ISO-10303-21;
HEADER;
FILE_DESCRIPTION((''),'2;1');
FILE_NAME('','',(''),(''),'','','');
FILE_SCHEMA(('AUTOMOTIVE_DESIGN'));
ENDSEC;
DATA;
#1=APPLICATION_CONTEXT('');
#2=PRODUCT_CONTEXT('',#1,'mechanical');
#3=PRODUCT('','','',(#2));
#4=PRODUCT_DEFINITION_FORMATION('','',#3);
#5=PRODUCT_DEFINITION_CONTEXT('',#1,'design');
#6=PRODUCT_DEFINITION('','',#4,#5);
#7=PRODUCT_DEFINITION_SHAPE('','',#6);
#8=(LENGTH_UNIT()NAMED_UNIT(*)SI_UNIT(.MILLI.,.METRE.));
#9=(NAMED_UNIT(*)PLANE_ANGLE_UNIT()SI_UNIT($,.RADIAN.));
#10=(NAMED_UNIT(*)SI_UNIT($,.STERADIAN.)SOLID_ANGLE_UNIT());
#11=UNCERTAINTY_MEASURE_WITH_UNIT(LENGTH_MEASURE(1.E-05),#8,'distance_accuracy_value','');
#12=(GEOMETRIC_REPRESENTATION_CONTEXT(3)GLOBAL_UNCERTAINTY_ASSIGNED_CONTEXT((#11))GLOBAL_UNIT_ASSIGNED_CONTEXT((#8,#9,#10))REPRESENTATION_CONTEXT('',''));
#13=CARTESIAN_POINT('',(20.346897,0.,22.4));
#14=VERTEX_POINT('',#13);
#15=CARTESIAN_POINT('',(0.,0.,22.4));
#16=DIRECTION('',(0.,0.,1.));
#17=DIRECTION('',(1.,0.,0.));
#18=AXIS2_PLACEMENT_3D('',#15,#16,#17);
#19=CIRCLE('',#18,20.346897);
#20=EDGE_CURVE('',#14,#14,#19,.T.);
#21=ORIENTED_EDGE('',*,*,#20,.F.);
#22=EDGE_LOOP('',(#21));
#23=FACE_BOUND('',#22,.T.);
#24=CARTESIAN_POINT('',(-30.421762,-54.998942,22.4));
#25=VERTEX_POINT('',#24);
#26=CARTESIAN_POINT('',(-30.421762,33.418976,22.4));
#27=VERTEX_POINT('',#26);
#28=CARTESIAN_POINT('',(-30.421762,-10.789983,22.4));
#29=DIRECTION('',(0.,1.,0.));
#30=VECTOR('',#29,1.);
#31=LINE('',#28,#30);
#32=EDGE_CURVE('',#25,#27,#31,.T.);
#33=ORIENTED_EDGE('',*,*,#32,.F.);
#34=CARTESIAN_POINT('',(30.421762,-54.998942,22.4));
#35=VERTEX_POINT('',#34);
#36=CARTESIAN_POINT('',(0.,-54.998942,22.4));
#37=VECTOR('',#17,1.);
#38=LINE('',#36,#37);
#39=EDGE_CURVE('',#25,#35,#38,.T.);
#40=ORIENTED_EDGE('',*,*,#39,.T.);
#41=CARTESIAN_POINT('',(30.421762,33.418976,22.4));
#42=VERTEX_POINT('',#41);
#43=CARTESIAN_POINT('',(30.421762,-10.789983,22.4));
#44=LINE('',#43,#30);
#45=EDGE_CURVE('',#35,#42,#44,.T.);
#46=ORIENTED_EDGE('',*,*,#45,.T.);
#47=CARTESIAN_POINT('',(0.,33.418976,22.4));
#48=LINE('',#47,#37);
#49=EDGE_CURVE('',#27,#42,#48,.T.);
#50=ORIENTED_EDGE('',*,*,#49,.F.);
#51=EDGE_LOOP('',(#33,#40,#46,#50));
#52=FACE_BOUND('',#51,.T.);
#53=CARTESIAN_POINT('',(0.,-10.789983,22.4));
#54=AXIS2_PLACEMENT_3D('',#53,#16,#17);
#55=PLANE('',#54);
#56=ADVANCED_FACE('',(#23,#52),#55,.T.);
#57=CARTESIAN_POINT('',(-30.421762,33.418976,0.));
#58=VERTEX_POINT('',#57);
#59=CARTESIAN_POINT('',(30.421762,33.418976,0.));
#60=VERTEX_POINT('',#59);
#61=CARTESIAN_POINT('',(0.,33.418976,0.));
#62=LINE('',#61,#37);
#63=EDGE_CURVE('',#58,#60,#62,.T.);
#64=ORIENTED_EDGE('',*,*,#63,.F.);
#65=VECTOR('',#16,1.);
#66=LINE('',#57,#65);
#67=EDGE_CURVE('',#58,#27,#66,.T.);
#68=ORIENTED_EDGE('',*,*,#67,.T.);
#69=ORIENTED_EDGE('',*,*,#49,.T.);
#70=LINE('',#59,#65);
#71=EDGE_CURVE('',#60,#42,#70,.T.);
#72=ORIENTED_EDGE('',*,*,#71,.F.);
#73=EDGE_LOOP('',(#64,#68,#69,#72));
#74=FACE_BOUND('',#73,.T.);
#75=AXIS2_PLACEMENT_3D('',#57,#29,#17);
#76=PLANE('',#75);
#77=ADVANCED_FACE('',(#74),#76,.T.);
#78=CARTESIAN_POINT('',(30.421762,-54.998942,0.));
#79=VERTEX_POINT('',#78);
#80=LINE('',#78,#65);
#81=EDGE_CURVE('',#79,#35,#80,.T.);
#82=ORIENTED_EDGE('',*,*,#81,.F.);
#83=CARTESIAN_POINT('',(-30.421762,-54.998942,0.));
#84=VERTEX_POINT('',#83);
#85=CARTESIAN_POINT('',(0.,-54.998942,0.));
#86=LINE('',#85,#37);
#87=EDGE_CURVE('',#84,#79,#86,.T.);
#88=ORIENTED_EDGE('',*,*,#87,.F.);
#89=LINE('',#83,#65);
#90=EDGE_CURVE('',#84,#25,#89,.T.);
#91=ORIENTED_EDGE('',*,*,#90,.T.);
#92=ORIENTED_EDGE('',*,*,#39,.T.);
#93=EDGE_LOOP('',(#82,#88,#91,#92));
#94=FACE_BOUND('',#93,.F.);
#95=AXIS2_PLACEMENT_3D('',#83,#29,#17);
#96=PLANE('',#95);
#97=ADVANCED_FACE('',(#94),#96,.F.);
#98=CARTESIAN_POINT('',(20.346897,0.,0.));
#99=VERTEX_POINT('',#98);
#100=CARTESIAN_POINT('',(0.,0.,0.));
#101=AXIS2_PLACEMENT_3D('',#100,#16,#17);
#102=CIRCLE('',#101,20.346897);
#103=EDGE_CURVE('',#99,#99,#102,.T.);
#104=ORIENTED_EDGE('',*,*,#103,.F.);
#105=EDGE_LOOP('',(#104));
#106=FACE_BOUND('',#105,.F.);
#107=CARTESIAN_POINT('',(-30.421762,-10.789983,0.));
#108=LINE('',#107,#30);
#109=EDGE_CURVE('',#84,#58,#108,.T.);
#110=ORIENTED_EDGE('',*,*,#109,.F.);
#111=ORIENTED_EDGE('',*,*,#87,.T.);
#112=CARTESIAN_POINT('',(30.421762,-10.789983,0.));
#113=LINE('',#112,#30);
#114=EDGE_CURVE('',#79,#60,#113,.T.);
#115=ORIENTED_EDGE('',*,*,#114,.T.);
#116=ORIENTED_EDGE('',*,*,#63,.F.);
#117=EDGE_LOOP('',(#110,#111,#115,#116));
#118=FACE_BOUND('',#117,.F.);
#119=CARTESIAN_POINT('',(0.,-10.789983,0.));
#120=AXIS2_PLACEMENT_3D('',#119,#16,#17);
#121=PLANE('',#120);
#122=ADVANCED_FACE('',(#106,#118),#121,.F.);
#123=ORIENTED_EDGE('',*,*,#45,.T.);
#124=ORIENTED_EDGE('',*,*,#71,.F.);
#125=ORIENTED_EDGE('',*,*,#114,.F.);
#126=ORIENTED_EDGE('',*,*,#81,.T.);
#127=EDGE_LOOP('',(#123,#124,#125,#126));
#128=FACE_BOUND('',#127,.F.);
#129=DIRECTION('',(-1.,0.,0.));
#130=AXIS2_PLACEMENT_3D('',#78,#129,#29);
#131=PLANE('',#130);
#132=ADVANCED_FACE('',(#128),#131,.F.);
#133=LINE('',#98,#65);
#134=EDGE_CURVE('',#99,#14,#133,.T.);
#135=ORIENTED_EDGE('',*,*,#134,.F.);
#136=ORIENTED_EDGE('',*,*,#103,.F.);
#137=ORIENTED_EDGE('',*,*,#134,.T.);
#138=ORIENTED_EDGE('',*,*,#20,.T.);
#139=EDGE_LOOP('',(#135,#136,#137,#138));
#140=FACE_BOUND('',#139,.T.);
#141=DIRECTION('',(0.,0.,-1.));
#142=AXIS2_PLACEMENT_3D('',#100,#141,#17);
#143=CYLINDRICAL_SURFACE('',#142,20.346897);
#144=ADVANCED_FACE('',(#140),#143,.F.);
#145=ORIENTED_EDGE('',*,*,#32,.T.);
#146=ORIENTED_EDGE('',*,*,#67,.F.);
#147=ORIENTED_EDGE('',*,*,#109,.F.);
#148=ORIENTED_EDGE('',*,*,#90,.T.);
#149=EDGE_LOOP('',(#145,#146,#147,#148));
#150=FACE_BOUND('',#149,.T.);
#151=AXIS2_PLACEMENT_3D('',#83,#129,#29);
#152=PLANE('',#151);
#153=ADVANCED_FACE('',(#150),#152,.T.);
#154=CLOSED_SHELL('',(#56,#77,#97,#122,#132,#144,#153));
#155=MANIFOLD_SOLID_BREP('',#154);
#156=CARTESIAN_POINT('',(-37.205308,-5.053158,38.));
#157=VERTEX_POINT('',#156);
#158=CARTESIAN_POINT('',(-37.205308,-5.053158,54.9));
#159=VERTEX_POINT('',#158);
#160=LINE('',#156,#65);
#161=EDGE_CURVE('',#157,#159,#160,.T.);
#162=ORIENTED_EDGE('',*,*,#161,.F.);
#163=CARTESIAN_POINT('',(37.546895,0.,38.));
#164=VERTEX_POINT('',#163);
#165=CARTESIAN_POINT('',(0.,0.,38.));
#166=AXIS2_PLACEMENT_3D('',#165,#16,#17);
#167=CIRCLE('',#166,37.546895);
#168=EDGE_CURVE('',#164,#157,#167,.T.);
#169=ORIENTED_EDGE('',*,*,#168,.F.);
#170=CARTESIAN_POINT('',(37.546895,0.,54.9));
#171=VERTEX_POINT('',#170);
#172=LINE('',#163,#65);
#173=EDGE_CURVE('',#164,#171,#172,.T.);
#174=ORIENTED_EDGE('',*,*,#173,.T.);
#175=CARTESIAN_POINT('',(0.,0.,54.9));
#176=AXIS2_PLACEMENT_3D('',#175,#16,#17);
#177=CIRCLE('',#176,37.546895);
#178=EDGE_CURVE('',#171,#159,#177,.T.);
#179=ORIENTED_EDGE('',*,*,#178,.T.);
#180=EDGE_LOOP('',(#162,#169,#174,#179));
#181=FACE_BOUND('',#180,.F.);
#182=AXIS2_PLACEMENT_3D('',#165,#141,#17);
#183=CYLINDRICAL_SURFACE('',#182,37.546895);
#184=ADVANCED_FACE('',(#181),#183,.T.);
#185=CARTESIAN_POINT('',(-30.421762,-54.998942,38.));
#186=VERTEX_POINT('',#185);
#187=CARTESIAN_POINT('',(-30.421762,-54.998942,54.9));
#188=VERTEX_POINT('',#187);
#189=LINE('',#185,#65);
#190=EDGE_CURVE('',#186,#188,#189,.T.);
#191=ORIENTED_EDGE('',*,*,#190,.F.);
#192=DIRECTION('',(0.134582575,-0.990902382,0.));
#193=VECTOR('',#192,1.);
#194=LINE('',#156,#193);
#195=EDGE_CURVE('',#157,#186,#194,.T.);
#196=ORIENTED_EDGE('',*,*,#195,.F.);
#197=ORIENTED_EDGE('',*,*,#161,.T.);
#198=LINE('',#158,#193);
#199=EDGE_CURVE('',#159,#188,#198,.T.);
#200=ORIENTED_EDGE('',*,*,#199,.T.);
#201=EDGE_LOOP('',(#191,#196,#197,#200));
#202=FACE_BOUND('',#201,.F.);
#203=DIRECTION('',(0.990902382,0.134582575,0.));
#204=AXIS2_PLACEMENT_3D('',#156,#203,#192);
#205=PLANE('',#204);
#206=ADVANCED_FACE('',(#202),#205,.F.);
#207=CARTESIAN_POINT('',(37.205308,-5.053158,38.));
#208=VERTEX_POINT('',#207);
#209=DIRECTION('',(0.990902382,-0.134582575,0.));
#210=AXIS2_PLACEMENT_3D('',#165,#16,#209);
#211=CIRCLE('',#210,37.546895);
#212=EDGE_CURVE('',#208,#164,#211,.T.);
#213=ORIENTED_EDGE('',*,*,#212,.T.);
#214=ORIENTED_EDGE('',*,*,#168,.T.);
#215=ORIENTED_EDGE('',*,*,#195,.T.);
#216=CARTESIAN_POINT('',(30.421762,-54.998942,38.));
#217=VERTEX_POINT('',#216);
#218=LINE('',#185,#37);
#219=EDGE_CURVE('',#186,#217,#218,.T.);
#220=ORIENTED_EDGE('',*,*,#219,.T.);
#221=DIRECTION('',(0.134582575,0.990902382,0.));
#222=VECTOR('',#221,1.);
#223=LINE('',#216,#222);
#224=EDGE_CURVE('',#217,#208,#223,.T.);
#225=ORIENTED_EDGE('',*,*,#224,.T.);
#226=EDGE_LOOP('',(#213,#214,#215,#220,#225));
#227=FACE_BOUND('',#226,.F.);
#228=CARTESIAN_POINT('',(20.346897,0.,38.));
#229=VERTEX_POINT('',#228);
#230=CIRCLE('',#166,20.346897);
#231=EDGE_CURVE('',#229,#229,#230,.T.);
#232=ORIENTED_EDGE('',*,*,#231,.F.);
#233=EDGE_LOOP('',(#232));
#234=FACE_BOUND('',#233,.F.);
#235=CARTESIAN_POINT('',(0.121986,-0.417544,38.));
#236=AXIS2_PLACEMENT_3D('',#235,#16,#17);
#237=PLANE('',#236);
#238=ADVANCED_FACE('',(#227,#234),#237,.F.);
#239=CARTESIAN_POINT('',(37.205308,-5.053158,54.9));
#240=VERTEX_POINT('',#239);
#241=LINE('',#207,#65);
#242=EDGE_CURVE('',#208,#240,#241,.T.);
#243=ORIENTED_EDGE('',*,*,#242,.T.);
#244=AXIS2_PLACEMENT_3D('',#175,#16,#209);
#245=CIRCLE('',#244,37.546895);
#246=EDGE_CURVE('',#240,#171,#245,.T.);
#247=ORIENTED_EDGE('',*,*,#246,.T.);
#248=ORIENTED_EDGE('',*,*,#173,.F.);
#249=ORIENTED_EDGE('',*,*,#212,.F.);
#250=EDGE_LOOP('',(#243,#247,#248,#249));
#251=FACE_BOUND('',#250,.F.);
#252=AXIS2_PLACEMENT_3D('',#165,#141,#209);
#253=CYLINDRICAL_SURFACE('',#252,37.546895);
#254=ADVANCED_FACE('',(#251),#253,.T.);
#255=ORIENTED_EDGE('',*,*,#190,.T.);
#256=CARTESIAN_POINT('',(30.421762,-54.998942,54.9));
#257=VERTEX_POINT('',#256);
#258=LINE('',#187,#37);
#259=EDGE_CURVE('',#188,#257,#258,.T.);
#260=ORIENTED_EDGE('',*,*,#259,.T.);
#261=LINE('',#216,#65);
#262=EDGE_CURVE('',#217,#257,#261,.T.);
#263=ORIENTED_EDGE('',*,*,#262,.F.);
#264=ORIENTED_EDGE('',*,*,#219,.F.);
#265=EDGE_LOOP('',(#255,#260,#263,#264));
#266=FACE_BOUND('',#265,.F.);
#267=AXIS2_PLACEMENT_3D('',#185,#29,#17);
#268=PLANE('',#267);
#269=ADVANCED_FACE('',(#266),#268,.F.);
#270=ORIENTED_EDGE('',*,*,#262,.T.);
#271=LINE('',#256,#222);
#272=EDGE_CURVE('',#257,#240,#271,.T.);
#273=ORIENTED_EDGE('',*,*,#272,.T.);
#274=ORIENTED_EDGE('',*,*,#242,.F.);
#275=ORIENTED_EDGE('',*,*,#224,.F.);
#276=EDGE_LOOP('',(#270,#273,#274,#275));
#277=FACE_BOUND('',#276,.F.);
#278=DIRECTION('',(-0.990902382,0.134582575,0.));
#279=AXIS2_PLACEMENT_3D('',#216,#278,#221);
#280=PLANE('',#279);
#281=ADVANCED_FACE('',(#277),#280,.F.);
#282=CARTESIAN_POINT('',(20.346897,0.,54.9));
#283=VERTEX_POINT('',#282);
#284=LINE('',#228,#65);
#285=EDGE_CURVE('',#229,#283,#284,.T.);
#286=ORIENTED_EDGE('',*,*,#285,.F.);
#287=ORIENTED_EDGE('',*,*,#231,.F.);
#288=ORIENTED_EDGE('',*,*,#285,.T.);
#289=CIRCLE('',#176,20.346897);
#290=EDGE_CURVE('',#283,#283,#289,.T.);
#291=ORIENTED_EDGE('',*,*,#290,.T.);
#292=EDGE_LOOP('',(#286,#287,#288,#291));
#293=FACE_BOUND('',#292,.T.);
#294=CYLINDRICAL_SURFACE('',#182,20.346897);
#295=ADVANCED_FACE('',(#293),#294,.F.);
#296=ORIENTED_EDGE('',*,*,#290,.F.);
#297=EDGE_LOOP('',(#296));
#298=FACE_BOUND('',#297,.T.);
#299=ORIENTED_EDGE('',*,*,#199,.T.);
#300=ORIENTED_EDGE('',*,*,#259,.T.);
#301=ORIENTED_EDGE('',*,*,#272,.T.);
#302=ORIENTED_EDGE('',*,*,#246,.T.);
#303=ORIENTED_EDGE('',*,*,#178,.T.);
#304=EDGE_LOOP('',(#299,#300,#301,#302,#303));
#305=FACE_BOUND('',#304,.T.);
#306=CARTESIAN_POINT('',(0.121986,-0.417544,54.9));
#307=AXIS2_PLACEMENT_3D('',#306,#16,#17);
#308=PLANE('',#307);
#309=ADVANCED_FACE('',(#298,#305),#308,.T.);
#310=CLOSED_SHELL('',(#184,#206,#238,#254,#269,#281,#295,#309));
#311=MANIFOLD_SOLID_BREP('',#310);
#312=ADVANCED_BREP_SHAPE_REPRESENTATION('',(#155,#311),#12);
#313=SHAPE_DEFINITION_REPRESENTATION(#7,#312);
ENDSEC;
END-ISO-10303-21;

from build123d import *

# Parameters (mm, degrees)
F0_W     = 60.8435235918
F0_H     = 88.41791749
F0_R     = 20.346896913
F1_DEPTH = 22.4
F3_START = 38
F2_R     = 20.346896913
F3_DEPTH = 16.9


with BuildPart() as f1:
    # F0 (on Top) → F1 (new body)
    with BuildSketch(Plane.XY):
        with Locations((0, -10.7899829745)):
            Rectangle(F0_W, F0_H)
        Circle(F0_R, mode=Mode.SUBTRACT)
    extrude(amount=F1_DEPTH)


with BuildPart() as f3:
    # F2 (on Top) → F3 (new body)
    with BuildSketch(Plane.XY.offset(F3_START)):
        with BuildLine():
            ThreePointArc((37.2053081278, -5.0531578866), (37.4614012803, -2.5323450852), (37.5468954444, 0))
            ThreePointArc((37.5468954444, 0), (-2.5323450852, 37.4614012803), (-37.2053081278, -5.0531578866))
            ThreePointArc((-37.2053081278, -5.0531578866), (0, -37.5468954444), (37.2053081278, -5.0531578866))
        make_face()
        Circle(F2_R, mode=Mode.SUBTRACT)
        with BuildLine():
            ThreePointArc((37.2053081278, -5.0531578866), (0, -37.5468954444), (-37.2053081278, -5.0531578866))
            Line((-37.2053081278, -5.0531578866), (-30.4217617959, -54.9989417195))
            Line((-30.4217617959, -54.9989417195), (30.4217617959, -54.9989417195))
            Line((30.4217617959, -54.9989417195), (37.2053081278, -5.0531578866))
        make_face()
    extrude(amount=F3_DEPTH)


solid = Compound([f1.part, f3.part])
